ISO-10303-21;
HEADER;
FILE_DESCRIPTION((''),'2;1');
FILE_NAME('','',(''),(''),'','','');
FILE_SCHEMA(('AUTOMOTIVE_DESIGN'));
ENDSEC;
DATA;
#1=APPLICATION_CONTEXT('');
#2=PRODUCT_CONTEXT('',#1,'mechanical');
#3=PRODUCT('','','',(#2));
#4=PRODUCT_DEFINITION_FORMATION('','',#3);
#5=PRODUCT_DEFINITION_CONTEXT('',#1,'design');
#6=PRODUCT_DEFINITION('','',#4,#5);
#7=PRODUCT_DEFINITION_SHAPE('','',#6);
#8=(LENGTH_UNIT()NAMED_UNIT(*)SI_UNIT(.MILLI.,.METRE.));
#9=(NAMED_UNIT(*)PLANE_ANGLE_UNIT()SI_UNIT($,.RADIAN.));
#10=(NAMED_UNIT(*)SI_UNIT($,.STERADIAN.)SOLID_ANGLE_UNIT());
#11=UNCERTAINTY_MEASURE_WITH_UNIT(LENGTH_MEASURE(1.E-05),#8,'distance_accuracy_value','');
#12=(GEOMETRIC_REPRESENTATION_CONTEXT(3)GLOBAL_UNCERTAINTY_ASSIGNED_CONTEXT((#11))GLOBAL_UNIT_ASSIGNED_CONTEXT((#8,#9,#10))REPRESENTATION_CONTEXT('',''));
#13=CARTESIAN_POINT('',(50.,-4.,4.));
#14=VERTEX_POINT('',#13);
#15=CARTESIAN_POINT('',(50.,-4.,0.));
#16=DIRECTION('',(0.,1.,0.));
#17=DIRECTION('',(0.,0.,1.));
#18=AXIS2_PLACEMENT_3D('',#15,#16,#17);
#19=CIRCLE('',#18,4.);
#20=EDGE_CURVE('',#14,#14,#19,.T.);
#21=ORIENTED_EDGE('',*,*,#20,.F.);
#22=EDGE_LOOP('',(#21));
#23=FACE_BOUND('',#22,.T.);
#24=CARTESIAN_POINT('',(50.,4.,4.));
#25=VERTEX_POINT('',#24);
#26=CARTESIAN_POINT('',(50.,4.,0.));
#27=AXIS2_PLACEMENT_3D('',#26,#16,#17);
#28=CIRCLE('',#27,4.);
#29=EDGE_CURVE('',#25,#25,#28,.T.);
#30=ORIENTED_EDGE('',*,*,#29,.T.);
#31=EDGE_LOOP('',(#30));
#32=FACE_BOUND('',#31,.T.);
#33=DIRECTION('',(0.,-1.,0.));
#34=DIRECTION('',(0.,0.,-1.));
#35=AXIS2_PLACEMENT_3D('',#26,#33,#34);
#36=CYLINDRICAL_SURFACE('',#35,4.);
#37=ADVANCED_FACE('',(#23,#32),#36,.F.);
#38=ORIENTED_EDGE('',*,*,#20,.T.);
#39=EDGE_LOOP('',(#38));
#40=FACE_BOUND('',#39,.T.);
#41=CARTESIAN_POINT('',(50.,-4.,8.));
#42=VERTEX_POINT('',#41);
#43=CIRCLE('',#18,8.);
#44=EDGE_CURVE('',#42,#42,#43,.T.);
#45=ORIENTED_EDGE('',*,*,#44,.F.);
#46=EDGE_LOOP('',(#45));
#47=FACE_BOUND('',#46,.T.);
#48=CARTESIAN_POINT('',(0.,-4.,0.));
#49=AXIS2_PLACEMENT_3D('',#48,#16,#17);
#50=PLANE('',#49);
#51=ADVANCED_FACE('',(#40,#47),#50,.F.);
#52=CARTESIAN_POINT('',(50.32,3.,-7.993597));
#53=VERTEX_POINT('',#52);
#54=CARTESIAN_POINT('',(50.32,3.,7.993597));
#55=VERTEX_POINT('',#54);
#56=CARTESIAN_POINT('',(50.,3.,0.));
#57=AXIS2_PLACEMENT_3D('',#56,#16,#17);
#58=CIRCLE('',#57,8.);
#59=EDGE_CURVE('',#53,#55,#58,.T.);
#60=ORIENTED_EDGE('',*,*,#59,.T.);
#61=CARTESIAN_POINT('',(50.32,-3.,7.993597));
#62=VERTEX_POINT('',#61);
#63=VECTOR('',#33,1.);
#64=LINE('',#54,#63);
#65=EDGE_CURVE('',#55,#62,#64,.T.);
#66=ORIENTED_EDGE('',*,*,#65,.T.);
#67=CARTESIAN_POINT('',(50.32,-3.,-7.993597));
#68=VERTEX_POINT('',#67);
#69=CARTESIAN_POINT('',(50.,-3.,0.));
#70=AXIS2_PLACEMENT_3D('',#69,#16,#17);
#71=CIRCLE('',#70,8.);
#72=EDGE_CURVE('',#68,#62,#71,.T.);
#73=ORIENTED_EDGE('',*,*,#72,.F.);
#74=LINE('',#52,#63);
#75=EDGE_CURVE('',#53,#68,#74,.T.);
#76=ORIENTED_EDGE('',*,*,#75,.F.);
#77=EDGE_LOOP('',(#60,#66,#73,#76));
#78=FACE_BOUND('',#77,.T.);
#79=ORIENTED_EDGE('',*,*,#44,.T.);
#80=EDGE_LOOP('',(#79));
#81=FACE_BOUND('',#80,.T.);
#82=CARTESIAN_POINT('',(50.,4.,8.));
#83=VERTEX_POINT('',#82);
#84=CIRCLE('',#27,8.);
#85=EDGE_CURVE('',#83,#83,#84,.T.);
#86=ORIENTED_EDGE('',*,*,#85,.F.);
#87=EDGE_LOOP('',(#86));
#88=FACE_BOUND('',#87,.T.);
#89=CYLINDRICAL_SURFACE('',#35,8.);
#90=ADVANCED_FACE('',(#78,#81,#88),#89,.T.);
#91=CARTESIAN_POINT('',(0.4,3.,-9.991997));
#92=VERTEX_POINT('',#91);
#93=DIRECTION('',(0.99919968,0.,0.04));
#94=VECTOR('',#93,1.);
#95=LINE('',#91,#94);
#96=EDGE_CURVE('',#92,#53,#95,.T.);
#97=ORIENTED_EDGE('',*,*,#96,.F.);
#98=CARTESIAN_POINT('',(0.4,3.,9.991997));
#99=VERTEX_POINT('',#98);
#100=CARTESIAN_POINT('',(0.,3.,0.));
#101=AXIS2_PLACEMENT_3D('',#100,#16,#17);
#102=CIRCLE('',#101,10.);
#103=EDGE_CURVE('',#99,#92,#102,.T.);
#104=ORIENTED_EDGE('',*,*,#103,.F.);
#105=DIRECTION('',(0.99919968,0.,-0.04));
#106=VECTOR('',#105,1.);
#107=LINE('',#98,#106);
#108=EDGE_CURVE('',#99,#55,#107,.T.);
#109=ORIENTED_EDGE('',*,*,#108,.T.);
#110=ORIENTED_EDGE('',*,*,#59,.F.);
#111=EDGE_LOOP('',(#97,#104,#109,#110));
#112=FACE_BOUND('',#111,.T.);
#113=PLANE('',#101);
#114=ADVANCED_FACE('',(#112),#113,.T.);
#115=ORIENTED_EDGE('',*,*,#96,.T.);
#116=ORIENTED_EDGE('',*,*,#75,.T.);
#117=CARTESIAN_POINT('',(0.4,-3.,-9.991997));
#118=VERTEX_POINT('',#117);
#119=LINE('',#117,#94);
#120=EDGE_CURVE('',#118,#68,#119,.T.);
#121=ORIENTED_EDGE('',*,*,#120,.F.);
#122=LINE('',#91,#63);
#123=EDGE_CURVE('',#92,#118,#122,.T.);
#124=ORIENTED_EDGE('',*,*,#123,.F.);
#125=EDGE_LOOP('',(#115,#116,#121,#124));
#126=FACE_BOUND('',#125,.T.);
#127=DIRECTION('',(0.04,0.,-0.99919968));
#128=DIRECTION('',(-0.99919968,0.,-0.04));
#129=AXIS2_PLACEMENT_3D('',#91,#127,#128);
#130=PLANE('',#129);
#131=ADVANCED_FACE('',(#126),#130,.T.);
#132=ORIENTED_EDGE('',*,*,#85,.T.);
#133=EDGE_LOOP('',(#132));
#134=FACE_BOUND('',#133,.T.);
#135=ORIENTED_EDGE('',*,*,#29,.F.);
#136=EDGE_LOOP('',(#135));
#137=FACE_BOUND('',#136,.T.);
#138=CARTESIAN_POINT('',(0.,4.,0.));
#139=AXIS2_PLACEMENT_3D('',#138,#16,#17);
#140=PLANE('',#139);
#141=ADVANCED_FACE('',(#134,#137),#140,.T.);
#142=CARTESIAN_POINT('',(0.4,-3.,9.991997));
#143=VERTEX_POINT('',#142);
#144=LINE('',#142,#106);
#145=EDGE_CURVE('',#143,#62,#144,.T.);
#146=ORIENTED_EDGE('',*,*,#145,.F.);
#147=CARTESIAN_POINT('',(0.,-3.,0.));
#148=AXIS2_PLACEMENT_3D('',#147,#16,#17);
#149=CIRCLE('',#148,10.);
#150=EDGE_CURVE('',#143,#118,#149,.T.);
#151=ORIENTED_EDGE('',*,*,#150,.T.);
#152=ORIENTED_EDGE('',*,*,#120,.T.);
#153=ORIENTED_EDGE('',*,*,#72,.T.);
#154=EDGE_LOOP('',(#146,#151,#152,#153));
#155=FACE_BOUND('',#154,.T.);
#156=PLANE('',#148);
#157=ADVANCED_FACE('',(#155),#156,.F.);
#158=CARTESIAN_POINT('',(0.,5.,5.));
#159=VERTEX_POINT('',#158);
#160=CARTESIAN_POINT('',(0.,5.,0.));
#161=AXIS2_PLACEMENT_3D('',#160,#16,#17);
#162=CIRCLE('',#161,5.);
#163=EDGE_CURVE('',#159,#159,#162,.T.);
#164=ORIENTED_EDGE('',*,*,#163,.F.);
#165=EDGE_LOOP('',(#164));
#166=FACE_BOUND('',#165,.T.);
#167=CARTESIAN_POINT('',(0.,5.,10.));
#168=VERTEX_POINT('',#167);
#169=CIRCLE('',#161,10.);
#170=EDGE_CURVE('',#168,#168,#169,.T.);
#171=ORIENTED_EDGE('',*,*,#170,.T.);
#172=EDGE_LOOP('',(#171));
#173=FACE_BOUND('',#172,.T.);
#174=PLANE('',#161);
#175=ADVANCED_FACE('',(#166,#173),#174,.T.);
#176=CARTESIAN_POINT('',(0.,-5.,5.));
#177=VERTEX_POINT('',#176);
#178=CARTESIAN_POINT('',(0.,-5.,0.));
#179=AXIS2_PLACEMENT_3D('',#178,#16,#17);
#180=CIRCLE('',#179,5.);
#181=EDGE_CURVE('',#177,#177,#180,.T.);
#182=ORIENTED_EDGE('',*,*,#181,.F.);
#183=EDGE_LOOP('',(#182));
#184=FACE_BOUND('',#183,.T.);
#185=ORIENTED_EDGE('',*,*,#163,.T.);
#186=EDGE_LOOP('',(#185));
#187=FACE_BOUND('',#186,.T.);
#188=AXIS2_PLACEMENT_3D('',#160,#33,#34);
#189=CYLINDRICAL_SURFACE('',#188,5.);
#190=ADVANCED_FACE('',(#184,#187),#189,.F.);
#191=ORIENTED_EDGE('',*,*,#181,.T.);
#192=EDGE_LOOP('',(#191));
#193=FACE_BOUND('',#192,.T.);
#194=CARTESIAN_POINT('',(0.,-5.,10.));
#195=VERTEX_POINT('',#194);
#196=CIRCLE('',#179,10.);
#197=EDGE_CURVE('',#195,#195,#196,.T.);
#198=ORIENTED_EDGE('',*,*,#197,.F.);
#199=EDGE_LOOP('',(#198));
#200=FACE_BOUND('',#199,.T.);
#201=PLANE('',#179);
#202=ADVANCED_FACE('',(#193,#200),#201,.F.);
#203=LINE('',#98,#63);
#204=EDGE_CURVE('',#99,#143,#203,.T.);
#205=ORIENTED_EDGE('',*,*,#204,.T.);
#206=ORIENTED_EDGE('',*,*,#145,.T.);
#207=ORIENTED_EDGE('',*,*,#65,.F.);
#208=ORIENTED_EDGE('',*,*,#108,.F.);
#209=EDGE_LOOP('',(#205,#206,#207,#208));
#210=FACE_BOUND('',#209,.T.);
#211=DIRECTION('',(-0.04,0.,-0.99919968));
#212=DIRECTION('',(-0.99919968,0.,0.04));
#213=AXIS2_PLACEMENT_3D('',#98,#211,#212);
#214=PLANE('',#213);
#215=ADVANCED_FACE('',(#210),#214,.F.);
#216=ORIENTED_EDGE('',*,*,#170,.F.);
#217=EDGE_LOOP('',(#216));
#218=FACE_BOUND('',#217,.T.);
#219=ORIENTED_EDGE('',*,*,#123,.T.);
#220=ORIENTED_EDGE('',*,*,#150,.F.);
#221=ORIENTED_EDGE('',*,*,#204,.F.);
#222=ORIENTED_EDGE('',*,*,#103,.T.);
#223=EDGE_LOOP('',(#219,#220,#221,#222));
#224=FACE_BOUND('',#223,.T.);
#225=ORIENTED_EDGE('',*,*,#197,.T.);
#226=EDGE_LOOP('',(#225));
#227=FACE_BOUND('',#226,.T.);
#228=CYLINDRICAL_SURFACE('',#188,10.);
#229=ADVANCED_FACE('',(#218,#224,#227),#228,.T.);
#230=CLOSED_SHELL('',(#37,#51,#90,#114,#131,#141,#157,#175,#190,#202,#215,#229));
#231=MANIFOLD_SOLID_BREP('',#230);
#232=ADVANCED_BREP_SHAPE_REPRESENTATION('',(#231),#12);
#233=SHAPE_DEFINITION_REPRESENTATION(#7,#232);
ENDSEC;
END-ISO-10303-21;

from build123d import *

# Parameters (mm, degrees)
AUFSATZ_LINEAR_AUSTRAGEN1_DEPTH = 3
SKIZZE4_3_R                     = 10
SKIZZE4_3_R_2                   = 5
AUFSATZ_LINEAR_AUSTRAGEN2_DEPTH = 5
SKIZZE4_4_R                     = 8
SKIZZE4_4_R_2                   = 4
AUFSATZ_LINEAR_AUSTRAGEN3_DEPTH = 4


with BuildPart() as part:
    # Skizze4 → Aufsatz-Linear austragen1 (new body, symmetric)
    with BuildSketch(Plane(origin=(0, 0, 0), x_dir=(1, 0, 0), z_dir=(0, 1, 0))):
        with BuildLine():
            Line((50.32, 7.993597438), (0.4, 9.991996797))
            ThreePointArc((0.4, 9.991996797), (7.211102551, 6.92820323), (10, 0))
            ThreePointArc((10, 0), (7.211102551, -6.92820323), (0.4, -9.991996797))
            Line((0.4, -9.991996797), (50.32, -7.993597438))
            ThreePointArc((50.32, -7.993597438), (42, 0), (50.32, 7.993597438))
        make_face()
    extrude(amount=AUFSATZ_LINEAR_AUSTRAGEN1_DEPTH, both=True)

    # Skizze4_3 → Aufsatz-Linear austragen2 (add, symmetric)
    with BuildSketch(Plane(origin=(0, 0, 0), x_dir=(1, 0, 0), z_dir=(0, 1, 0))):
        with Locations(Location((0, 0, 0), (0, 0, 270))):  # turned: the seam where the file's is
            Circle(SKIZZE4_3_R)
        with Locations(Location((0, 0, 0), (0, 0, 270))):  # turned: the seam where the file's is
            Circle(SKIZZE4_3_R_2, mode=Mode.SUBTRACT)
    extrude(amount=AUFSATZ_LINEAR_AUSTRAGEN2_DEPTH, both=True)

    # Skizze4_4 → Aufsatz-Linear austragen3 (add, symmetric)
    with BuildSketch(Plane(origin=(0, 0, 0), x_dir=(1, 0, 0), z_dir=(0, 1, 0))):
        with Locations(Location((50, 0, 0), (0, 0, 270))):  # turned: the seam where the file's is
            Circle(SKIZZE4_4_R)
        with Locations(Location((50, 0, 0), (0, 0, 270))):  # turned: the seam where the file's is
            Circle(SKIZZE4_4_R_2, mode=Mode.SUBTRACT)
    extrude(amount=AUFSATZ_LINEAR_AUSTRAGEN3_DEPTH, both=True)


solid = part.part
